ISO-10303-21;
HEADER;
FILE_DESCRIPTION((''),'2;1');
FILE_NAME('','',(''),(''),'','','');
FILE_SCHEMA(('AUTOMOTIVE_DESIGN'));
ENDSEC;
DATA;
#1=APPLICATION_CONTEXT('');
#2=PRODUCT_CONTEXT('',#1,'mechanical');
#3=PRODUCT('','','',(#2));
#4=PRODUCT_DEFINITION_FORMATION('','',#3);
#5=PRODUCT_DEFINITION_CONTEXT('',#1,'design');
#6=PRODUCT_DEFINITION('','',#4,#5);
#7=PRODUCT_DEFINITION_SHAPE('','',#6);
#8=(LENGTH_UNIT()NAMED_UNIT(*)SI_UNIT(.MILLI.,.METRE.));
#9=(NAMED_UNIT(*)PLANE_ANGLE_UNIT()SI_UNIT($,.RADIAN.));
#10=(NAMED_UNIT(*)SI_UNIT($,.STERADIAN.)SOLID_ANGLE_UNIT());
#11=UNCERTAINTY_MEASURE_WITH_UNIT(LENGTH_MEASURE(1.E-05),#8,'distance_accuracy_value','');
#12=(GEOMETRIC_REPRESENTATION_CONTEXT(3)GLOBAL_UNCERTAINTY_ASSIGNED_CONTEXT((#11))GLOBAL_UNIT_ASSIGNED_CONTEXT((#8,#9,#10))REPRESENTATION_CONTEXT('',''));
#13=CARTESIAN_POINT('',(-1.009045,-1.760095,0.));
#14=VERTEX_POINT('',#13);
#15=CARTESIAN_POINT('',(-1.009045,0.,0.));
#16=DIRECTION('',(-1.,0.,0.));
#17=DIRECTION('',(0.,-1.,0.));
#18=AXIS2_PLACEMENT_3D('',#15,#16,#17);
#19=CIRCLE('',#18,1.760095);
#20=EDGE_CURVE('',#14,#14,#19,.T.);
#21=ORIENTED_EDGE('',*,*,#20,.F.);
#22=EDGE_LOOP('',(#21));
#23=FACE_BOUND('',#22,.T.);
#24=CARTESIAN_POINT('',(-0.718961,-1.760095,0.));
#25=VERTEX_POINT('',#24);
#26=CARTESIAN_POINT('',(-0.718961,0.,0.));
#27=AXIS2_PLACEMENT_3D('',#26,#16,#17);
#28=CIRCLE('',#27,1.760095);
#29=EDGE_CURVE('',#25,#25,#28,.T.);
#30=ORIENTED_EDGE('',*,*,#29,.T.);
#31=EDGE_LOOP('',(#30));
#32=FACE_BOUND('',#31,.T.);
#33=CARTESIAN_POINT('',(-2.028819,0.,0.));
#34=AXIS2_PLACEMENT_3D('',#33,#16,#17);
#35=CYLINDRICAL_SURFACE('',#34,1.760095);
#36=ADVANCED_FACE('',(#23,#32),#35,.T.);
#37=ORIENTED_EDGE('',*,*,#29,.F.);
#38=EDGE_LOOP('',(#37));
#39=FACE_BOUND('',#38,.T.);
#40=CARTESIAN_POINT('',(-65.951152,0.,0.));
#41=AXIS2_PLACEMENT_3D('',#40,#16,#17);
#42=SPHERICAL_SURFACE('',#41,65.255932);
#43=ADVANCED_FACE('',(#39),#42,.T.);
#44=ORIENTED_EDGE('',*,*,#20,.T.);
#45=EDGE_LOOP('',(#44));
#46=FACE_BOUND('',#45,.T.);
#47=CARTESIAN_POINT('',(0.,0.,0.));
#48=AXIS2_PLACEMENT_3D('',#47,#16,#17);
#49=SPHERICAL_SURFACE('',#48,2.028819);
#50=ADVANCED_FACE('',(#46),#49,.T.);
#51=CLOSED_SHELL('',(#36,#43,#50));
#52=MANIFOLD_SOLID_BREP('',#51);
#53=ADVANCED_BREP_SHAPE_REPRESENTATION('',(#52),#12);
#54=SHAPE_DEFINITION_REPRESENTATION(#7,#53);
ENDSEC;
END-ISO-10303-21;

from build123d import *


with BuildPart() as part:
    # 草图1 → 旋转1 (revolve)
    with BuildSketch(Plane.XY):
        with BuildLine():
            Line((-0.695219736, 0), (-2.028818736, 0))
            ThreePointArc((-2.028818736, 0), (-1.755459214, -1.017088203), (-1.009044624, -1.760095))
            Line((-1.009044624, -1.760095), (-0.718960857, -1.760095))
            ThreePointArc((-0.718960857, -1.760095), (-0.701155286, -0.880127555), (-0.695219736, 0))
        make_face()
    revolve(axis=Axis((-2.028818736, 0, 0), (1, 0, 0)))


solid = part.part
